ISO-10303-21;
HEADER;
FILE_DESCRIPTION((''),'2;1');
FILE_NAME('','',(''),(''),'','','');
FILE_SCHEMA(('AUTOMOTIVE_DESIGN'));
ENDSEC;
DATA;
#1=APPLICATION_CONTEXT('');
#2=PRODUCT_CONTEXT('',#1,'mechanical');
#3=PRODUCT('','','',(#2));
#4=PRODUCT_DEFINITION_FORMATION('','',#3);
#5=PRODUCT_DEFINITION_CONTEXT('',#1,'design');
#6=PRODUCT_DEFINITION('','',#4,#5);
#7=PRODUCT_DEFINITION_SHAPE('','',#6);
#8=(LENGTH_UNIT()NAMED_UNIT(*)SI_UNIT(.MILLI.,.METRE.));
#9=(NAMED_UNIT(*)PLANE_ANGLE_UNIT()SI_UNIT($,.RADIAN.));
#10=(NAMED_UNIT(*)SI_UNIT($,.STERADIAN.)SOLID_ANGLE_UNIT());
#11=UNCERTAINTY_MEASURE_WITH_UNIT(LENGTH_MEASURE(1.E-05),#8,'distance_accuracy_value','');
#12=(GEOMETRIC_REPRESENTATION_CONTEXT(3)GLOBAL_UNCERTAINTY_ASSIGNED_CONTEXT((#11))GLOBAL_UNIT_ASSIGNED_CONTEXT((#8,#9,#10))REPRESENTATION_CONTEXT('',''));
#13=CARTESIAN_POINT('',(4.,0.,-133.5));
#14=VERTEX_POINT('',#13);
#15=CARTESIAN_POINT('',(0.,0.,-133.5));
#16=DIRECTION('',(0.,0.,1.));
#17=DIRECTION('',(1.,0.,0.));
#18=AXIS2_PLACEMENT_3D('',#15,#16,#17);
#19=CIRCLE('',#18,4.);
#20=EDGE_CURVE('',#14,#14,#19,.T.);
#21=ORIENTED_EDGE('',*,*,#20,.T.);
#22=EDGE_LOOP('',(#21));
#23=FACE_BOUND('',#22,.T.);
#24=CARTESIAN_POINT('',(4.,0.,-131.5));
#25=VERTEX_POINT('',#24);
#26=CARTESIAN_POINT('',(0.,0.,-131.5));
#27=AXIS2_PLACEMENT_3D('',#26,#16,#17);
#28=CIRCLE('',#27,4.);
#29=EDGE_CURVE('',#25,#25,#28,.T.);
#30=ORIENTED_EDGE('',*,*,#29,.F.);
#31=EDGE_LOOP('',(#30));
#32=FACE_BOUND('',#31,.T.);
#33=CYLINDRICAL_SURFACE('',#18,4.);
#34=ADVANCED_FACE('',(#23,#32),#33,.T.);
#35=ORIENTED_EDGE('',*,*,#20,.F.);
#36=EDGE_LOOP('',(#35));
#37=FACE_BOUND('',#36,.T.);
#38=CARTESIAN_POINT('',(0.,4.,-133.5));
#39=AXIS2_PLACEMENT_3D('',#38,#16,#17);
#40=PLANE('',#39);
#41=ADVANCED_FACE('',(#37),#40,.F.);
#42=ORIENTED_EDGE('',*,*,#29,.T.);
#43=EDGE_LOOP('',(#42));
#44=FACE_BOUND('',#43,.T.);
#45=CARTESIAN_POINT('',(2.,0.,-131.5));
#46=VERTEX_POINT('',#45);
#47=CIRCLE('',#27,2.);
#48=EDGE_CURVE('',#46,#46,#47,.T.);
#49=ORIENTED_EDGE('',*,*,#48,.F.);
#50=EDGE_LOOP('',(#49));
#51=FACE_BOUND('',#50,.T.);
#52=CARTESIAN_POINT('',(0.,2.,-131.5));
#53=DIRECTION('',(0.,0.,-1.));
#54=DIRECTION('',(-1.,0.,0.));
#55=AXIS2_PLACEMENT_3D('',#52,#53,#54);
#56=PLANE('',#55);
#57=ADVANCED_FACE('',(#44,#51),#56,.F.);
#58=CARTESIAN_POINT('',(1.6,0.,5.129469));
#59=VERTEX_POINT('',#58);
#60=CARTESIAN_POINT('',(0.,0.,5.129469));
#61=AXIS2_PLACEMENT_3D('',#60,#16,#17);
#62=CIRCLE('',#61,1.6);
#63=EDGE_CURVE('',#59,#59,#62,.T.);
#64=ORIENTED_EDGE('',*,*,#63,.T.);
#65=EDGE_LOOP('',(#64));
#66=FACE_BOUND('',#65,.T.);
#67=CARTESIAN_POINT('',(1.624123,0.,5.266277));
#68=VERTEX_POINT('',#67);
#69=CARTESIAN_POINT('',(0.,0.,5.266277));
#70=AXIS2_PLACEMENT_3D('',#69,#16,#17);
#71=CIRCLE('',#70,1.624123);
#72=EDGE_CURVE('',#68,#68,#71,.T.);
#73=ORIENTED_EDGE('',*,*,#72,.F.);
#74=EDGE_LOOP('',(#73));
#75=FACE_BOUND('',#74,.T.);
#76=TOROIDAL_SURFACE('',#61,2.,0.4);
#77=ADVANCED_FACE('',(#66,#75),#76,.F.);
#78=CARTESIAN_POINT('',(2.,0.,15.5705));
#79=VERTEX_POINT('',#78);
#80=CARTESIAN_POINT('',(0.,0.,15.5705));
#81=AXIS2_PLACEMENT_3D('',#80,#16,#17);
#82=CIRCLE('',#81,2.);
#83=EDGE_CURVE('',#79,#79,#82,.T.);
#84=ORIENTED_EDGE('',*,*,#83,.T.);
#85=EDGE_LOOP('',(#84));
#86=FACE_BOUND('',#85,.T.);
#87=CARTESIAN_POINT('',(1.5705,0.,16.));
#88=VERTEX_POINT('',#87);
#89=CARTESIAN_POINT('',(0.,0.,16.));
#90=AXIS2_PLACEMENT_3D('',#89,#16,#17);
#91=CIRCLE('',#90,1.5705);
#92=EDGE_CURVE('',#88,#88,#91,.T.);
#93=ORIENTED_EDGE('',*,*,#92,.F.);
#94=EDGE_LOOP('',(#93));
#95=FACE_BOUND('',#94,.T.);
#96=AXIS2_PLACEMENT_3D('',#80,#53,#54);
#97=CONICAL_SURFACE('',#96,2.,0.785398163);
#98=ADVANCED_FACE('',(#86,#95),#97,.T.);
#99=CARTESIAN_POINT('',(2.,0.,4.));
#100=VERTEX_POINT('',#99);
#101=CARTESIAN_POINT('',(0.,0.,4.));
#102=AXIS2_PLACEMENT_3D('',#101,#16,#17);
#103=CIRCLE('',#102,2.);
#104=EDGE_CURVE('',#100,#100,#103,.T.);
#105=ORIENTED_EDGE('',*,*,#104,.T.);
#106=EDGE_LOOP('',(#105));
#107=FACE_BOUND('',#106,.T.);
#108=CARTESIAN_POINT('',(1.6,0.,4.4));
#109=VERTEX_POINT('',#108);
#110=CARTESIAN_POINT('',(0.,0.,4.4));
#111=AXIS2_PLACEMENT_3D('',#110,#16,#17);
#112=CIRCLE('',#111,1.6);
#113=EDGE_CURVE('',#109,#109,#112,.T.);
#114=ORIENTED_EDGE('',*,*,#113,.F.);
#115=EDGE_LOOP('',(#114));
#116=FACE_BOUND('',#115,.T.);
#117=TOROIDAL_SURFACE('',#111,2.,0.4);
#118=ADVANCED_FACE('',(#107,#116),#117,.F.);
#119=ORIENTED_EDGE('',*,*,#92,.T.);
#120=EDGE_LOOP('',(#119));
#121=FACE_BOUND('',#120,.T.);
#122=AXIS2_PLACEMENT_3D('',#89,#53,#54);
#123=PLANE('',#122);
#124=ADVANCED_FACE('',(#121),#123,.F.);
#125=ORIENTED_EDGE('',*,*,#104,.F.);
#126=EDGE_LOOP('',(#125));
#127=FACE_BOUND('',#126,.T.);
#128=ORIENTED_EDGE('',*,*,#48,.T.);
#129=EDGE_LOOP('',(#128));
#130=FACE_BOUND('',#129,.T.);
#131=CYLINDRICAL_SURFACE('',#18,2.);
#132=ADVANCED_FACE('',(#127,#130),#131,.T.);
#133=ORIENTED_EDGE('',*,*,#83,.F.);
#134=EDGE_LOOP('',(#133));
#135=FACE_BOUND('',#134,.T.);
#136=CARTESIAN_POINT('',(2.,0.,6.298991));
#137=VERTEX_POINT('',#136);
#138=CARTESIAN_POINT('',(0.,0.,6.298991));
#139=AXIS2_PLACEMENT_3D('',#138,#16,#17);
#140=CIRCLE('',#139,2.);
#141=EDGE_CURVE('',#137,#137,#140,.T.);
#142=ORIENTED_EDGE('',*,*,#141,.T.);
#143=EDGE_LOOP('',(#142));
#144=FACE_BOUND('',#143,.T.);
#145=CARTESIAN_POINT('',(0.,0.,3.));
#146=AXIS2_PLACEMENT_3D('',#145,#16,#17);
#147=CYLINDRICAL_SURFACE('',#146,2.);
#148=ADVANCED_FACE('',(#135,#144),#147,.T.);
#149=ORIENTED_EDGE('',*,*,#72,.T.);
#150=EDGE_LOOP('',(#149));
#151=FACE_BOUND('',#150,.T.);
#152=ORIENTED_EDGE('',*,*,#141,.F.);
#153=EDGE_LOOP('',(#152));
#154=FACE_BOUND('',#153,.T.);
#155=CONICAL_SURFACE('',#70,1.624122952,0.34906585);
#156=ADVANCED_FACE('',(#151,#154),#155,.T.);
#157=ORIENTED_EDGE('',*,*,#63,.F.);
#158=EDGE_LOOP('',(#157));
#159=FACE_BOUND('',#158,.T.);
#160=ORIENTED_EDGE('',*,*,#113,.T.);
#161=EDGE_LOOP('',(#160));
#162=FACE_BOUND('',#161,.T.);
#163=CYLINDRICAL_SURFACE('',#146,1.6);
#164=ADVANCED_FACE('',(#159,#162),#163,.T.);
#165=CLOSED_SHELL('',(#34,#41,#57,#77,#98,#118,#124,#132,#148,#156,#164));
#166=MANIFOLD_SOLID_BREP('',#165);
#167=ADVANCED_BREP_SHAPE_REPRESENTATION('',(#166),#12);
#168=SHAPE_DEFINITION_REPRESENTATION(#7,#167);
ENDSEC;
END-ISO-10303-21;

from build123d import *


with BuildPart() as part:
    # Skizze1 → Rotation1 (revolve)
    with BuildSketch(Plane(origin=(0, 0, 0), x_dir=(0, 0, -1), z_dir=(1, 0, 0))):
        Polygon((-4, 0), (-4, 2), (131.5, 2), (131.5, 4), (133.5, 4), (133.5, 0), align=None)
    revolve(axis=Axis((0, 0, -133.5), (0, 0, 1)))

    # Skizze2 → Rotation2 (revolve)
    with BuildSketch(Plane(origin=(0, 0, 0), x_dir=(0, 0, -1), z_dir=(1, 0, 0))):
        with BuildLine():
            Line((-16, 0), (-16, 1.5705))
            Line((-16, 1.5705), (-15.5705, 2))
            Line((-15.5705, 2), (-6.298990968, 2))
            Line((-6.298990968, 2), (-5.266277265, 1.624122952))
            ThreePointArc((-5.266277265, 1.624122952), (-5.198928479, 1.606076899), (-5.129469208, 1.6))
            Line((-5.129469208, 1.6), (-4.4, 1.6))
            ThreePointArc((-4.4, 1.6), (-4.117157288, 1.717157288), (-4, 2))
            Line((-4, 2), (-3, 2))
            Line((-3, 2), (-3, 0))
            Line((-3, 0), (-16, 0))
        make_face()
    revolve(axis=Axis((0, 0, 3), (0, 0, 1)))


solid = part.part
